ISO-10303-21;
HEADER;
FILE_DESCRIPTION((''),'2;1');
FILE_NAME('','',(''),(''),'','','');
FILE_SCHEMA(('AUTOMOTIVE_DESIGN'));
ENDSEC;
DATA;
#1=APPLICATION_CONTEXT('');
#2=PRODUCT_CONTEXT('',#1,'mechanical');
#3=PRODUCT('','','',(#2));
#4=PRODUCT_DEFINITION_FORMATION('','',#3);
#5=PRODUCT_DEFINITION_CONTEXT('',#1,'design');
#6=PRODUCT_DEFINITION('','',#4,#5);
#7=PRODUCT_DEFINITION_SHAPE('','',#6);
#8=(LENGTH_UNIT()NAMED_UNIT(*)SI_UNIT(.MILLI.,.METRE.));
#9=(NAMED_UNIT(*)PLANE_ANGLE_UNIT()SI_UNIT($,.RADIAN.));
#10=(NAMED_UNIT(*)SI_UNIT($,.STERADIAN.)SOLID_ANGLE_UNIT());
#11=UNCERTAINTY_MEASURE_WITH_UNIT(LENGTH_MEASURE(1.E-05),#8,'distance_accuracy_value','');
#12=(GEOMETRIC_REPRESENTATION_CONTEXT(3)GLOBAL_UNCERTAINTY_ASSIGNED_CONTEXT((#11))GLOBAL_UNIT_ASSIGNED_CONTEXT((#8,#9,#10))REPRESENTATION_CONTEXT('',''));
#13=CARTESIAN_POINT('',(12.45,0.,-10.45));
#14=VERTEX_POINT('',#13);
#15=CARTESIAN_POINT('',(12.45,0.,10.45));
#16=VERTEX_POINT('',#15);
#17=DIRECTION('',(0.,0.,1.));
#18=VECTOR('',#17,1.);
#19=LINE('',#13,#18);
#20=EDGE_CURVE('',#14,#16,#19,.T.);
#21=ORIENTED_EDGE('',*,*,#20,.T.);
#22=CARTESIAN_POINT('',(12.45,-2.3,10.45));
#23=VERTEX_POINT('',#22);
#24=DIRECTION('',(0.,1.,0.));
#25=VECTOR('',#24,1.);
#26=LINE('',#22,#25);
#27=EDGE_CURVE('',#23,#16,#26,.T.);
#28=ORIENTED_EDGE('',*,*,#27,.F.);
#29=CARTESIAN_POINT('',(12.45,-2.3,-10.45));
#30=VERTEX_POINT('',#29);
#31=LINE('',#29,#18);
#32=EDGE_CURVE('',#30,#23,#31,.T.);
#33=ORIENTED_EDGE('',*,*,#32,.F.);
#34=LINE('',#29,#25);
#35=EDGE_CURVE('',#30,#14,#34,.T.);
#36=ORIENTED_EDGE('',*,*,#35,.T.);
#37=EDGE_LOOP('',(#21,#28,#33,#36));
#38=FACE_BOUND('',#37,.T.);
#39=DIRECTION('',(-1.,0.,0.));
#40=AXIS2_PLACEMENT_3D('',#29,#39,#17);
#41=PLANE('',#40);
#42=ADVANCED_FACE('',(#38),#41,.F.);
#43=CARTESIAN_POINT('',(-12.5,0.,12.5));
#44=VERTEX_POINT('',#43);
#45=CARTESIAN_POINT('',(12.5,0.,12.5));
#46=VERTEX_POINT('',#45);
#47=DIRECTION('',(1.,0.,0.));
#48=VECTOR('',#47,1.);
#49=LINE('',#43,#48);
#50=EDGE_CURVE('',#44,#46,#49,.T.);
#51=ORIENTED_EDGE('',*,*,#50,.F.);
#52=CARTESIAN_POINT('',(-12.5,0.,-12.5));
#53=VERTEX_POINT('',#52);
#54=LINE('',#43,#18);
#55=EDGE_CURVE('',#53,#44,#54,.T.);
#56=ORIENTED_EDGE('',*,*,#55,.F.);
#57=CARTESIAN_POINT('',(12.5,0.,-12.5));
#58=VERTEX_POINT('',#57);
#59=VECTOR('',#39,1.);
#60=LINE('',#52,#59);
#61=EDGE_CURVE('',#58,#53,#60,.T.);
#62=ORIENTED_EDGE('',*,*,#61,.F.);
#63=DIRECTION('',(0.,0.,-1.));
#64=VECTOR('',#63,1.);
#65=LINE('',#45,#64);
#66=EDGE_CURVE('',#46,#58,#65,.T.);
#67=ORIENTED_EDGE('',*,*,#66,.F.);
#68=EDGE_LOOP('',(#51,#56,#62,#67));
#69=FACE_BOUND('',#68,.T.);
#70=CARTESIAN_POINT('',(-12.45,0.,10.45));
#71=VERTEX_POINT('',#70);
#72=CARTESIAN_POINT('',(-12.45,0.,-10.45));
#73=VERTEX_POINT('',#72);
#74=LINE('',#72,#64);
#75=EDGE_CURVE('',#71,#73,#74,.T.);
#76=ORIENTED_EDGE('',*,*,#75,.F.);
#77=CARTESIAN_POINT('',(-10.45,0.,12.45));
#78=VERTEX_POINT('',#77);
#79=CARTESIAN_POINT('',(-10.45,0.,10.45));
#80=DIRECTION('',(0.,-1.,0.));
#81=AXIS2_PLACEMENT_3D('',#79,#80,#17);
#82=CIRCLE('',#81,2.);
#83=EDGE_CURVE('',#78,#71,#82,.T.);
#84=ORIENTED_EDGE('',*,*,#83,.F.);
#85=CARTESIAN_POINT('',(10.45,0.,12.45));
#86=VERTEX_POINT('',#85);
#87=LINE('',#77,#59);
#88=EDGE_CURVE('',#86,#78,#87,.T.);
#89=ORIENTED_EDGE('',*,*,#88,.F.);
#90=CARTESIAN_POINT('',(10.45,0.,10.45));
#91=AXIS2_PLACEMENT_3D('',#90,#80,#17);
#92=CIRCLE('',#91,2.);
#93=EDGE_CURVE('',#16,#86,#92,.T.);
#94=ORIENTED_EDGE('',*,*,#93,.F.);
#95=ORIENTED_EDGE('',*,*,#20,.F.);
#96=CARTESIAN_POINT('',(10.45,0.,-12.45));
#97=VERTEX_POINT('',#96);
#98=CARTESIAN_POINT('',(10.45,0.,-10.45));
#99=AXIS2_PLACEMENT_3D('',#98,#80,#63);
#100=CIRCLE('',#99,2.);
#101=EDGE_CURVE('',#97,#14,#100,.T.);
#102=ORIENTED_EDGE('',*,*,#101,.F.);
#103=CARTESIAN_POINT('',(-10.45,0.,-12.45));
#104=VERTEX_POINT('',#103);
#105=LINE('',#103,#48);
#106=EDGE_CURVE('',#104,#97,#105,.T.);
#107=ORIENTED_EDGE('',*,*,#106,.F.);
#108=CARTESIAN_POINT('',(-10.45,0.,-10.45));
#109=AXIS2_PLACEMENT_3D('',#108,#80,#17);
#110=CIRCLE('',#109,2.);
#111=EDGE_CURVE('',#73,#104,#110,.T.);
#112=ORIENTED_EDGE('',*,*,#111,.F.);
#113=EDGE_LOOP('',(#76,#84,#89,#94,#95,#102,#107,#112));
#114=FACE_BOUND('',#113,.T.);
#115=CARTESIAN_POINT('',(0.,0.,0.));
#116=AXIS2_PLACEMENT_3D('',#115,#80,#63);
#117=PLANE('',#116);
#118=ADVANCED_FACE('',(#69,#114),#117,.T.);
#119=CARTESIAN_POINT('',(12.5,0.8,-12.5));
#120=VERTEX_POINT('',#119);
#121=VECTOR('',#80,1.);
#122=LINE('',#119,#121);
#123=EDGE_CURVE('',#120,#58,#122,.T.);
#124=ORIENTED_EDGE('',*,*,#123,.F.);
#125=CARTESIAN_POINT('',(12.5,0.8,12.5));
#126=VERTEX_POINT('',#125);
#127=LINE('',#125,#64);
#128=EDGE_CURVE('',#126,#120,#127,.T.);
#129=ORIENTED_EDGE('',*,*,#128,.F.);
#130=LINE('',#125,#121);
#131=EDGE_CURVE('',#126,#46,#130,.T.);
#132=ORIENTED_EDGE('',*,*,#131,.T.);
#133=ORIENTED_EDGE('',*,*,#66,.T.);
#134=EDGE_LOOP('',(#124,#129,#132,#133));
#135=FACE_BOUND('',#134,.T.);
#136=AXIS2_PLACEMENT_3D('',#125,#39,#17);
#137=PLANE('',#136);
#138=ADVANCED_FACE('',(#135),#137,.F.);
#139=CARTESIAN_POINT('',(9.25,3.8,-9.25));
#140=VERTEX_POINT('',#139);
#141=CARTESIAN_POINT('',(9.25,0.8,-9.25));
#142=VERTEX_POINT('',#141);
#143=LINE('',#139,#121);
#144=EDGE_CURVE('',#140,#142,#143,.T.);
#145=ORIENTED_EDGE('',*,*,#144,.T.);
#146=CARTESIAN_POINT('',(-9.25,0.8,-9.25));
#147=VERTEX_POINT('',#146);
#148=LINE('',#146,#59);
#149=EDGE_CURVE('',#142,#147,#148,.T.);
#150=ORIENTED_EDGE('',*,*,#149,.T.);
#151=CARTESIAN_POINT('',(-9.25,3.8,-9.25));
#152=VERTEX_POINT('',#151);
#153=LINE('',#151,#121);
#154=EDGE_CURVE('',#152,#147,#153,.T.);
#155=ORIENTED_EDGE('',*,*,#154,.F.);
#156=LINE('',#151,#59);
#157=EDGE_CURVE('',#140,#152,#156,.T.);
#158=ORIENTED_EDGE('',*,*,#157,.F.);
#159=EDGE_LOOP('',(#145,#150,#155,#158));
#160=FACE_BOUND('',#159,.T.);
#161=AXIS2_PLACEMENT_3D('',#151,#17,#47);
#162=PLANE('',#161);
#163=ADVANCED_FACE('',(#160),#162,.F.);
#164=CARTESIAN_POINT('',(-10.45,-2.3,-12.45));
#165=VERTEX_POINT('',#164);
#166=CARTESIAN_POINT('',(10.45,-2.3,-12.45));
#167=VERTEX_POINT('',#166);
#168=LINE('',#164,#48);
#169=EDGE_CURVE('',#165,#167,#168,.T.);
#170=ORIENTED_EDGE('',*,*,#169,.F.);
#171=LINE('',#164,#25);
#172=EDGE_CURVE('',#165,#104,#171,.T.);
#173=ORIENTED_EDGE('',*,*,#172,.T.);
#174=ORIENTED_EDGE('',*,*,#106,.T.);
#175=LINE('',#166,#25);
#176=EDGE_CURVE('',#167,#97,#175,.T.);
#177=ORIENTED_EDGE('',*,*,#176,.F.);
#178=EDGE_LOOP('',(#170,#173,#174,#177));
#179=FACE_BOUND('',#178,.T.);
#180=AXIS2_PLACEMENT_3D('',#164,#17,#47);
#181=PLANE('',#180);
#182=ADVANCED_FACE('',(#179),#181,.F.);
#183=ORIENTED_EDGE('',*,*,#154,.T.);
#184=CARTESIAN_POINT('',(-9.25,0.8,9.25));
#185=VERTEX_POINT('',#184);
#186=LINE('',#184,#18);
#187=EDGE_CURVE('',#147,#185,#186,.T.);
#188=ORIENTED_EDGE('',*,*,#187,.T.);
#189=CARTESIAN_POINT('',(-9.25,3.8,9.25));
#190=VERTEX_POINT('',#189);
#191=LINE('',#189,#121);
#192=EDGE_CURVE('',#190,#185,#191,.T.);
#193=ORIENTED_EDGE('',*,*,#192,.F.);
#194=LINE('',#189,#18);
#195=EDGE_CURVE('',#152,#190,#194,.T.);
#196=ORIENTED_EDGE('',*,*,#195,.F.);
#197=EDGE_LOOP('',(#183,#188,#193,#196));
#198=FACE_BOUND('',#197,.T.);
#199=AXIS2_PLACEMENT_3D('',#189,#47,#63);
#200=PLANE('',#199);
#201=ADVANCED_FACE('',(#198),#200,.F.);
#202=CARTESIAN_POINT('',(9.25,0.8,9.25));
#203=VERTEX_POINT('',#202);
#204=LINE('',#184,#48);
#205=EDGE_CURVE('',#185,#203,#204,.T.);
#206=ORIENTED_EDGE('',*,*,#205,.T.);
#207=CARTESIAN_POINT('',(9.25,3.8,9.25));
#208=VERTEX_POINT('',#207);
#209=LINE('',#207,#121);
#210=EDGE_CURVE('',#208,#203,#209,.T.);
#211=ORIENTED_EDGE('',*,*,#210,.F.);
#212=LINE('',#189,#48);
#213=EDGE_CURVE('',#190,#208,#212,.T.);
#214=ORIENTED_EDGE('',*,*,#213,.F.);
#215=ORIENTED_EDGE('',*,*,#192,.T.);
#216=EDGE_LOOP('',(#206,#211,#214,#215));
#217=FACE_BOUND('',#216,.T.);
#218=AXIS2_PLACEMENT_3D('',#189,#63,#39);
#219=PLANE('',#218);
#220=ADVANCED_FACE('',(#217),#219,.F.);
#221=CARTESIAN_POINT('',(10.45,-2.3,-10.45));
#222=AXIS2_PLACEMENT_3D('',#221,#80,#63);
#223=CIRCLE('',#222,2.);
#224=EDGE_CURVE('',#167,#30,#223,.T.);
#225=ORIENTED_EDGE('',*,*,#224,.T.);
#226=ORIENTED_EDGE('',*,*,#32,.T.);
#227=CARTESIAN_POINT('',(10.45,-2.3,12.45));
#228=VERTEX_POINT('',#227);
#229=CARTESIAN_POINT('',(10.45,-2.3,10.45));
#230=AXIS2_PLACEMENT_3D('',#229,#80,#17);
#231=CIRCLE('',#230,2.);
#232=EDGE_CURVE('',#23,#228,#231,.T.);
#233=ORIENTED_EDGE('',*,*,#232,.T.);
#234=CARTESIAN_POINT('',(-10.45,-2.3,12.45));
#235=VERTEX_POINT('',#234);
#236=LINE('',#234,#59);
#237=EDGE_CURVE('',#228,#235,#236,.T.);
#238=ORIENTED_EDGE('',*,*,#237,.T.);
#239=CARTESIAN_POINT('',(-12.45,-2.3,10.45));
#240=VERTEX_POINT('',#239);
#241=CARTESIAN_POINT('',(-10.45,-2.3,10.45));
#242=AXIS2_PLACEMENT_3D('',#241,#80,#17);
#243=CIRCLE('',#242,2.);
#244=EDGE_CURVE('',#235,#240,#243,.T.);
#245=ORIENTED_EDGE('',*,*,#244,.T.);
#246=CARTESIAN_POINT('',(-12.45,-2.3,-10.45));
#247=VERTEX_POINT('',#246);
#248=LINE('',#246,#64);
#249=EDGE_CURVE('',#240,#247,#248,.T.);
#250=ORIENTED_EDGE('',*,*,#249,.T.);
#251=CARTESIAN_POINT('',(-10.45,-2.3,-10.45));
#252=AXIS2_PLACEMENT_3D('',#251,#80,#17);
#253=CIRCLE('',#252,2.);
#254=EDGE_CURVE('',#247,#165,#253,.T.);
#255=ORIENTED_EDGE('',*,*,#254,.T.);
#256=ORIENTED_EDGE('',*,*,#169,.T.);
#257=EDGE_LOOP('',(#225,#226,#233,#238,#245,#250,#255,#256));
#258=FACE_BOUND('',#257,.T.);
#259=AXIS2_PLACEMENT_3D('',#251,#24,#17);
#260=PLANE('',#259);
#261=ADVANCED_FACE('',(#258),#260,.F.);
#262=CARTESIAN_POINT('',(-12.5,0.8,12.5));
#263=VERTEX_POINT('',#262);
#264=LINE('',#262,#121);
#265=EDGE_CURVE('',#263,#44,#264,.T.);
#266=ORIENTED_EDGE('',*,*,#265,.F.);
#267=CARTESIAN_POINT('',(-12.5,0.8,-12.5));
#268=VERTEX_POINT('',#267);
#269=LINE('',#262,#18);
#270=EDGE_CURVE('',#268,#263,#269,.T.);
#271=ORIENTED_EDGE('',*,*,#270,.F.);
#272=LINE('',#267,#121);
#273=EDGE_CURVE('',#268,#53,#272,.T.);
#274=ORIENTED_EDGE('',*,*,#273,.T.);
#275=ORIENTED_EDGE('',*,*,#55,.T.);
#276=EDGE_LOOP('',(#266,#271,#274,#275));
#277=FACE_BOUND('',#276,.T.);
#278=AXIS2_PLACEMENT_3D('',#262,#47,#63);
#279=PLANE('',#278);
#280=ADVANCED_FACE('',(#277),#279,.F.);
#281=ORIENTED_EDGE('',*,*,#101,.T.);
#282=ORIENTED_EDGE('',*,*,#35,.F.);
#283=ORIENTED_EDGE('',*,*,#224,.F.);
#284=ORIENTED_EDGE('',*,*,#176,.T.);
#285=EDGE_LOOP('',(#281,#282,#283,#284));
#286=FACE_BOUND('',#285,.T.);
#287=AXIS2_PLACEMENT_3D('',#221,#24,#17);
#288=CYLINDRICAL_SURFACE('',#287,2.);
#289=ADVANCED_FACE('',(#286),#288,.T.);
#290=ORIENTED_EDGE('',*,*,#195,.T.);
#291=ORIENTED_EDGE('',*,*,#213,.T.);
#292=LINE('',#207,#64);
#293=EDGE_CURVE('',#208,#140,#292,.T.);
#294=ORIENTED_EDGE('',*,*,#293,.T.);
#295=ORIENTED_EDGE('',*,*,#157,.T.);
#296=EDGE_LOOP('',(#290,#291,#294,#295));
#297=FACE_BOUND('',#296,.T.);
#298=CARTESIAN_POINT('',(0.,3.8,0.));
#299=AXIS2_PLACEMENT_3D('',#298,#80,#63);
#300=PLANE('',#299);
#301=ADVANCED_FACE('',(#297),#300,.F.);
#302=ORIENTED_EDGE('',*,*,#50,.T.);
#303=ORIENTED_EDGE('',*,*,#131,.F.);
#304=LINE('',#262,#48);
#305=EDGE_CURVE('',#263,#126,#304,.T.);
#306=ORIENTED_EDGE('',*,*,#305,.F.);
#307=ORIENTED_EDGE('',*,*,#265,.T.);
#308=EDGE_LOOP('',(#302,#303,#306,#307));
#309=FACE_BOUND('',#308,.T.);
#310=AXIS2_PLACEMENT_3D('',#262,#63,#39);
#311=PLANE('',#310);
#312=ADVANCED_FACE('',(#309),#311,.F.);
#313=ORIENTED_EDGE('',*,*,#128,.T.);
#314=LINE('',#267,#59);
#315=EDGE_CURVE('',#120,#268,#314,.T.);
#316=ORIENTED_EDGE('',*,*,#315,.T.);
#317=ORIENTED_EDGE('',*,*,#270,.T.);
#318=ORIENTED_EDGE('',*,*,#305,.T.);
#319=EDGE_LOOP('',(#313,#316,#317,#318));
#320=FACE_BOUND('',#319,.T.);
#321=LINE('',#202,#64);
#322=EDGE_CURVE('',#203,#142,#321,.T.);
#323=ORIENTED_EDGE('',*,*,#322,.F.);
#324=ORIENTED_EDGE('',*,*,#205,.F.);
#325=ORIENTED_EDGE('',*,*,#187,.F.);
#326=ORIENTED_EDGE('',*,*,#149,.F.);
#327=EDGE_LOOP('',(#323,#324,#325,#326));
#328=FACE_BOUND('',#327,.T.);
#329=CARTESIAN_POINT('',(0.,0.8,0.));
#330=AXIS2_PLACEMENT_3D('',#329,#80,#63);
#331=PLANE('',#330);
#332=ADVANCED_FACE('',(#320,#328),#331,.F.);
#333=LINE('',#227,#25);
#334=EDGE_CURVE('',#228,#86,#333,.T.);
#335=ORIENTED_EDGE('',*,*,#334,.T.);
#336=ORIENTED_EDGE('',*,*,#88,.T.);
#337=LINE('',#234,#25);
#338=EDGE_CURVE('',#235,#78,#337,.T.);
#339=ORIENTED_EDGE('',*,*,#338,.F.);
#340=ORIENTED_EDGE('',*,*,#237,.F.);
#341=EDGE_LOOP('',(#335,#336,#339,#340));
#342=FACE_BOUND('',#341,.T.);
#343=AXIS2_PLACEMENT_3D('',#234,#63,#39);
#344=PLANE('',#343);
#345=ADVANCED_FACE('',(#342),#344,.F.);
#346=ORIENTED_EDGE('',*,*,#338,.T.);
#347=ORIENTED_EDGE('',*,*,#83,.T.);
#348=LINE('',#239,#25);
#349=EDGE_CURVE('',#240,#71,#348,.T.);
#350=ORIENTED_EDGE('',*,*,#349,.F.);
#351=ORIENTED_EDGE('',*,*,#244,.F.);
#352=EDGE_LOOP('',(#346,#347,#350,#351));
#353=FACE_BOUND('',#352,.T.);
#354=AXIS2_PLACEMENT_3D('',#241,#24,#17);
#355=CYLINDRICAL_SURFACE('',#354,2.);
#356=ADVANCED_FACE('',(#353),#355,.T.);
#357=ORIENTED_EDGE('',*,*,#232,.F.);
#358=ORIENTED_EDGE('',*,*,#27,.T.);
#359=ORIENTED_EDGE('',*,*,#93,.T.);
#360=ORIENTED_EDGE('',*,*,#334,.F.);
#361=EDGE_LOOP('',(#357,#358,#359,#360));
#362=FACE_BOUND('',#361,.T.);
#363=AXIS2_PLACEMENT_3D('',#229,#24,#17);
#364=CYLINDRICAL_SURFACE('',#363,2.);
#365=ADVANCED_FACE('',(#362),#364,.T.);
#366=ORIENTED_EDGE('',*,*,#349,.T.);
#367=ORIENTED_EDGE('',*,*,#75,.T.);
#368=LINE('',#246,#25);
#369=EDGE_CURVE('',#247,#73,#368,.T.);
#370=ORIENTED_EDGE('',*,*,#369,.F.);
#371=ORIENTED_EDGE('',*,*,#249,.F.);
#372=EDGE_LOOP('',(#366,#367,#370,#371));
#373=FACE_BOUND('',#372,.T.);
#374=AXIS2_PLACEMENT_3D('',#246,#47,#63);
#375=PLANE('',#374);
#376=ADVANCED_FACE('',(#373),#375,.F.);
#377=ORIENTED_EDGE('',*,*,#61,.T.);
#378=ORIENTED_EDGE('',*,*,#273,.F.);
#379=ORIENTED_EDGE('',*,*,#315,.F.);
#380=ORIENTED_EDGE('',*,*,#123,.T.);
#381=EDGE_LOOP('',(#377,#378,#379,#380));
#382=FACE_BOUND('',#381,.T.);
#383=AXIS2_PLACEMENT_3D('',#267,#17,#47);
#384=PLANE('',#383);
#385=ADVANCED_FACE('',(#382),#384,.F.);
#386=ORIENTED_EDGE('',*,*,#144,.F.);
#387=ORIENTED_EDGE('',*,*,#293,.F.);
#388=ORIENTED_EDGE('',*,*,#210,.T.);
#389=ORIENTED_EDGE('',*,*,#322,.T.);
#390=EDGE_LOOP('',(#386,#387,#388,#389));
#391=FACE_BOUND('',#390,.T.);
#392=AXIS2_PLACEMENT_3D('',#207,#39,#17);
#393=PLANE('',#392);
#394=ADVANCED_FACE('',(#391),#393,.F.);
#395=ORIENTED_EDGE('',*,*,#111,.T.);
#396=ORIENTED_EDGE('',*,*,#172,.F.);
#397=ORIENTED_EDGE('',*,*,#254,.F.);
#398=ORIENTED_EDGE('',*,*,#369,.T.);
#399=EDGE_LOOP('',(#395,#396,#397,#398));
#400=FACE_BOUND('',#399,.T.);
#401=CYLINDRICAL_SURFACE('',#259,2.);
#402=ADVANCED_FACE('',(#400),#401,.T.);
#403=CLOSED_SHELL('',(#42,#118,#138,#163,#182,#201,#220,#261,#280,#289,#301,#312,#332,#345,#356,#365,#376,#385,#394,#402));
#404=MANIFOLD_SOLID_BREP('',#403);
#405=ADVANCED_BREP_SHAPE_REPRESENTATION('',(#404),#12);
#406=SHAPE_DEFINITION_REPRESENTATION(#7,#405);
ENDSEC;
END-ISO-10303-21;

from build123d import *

# Parameters (mm, degrees)
SKETCH1_W           = 25
SKETCH1_H           = 25
BOSS_EXTRUDE1_DEPTH = 0.8
SKETCH2_W           = 18.5
SKETCH2_H           = 18.5
BOSS_EXTRUDE2_DEPTH = 3
BOSS_EXTRUDE4_DEPTH = 2.3


with BuildPart() as part:
    # Sketch1 → Boss-Extrude1 (new body)
    with BuildSketch(Plane(origin=(0, 0, 0), x_dir=(1, 0, 0), z_dir=(0, 1, 0))):
        Rectangle(SKETCH1_W, SKETCH1_H)
    extrude(amount=BOSS_EXTRUDE1_DEPTH)

    # Sketch2 → Boss-Extrude2 (add)
    with BuildSketch(Plane(origin=(0, 0.8, 0), x_dir=(1, 0, 0), z_dir=(0, 1, 0))):
        Rectangle(SKETCH2_W, SKETCH2_H)
    extrude(amount=BOSS_EXTRUDE2_DEPTH)

    # Sketch3 → Boss-Extrude4 (add)
    with BuildSketch(Plane.XZ):
        with BuildLine():
            Line((-10.45, -12.45), (10.45, -12.45))
            ThreePointArc((10.45, -12.45), (11.864213562, -11.864213562), (12.45, -10.45))
            Line((12.45, -10.45), (12.45, 10.45))
            ThreePointArc((12.45, 10.45), (11.864213562, 11.864213562), (10.45, 12.45))
            Line((10.45, 12.45), (-10.45, 12.45))
            ThreePointArc((-10.45, 12.45), (-11.864213562, 11.864213562), (-12.45, 10.45))
            Line((-12.45, 10.45), (-12.45, -10.45))
            ThreePointArc((-12.45, -10.45), (-11.864213562, -11.864213562), (-10.45, -12.45))
        make_face()
    extrude(amount=BOSS_EXTRUDE4_DEPTH)


solid = part.part
